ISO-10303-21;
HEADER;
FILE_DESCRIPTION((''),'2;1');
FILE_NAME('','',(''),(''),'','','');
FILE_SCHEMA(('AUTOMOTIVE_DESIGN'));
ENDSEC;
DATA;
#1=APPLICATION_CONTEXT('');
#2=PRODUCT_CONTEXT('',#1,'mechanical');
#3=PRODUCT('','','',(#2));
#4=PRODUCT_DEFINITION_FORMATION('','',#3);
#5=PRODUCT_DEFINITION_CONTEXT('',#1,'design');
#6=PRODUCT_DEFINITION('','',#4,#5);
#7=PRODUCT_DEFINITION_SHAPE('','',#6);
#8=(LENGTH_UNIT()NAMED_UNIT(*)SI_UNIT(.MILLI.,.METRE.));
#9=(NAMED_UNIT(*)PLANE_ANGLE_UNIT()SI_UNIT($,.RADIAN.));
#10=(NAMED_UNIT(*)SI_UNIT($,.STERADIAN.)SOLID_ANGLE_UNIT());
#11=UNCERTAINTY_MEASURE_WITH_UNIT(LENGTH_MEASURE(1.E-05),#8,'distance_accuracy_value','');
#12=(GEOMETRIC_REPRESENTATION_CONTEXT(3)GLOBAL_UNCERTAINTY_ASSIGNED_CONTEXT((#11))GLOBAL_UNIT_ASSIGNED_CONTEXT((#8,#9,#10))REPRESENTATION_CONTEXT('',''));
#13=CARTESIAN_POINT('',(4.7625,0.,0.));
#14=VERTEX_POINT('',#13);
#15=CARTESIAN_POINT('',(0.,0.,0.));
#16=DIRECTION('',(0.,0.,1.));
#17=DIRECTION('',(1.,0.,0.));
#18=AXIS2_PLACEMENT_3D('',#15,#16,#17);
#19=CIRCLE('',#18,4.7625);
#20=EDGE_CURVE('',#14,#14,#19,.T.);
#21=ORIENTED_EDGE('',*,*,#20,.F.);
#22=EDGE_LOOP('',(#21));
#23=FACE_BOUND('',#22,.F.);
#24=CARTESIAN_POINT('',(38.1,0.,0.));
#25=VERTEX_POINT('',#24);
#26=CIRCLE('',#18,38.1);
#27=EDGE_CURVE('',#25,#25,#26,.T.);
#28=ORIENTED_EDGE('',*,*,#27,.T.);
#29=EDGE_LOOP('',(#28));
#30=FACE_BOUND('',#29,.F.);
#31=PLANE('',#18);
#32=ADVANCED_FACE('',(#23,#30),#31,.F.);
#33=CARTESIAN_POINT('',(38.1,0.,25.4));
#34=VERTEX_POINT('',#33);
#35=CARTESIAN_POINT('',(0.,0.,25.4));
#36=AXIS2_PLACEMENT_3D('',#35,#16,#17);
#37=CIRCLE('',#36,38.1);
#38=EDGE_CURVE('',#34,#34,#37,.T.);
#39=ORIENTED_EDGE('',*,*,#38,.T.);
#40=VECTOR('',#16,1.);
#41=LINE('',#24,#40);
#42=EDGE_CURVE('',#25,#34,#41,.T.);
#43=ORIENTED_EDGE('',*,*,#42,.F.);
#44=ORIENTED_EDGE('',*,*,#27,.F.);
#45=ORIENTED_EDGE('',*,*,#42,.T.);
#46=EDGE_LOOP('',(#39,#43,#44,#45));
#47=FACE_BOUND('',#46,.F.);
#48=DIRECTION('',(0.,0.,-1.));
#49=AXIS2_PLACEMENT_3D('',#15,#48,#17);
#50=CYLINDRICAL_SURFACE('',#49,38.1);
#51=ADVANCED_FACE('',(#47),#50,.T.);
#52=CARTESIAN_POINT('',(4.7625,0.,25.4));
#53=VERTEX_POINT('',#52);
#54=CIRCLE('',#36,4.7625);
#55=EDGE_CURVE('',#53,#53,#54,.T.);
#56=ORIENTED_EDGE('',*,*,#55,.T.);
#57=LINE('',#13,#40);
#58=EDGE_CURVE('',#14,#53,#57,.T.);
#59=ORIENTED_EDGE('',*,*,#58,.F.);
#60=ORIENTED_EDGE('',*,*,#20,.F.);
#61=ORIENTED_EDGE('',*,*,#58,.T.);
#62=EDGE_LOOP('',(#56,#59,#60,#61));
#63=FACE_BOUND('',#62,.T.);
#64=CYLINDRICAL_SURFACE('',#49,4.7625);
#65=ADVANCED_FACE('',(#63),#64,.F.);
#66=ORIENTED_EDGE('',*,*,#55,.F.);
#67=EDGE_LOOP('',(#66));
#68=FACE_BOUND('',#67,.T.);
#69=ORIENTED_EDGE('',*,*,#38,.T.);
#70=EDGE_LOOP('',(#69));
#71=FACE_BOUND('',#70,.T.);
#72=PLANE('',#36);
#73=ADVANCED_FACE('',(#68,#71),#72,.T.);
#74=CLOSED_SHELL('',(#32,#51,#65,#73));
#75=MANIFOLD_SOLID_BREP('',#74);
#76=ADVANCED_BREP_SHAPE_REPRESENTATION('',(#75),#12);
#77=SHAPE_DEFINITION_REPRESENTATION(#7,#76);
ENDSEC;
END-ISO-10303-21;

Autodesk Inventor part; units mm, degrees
ref_plane "YZ Plane" through (0, 0, 0) normal (1, 0, 0) x (0, 1, 0)
ref_plane "XZ Plane" through (0, 0, 0) normal (0, 1, 0) x (-1, 0, 0)
ref_plane "XY Plane" through (0, 0, 0) normal (0, 0, 1) x (1, 0, 0)
sketch "Sketch1" plane through (0, 0, 0) normal (0, 0, 1) x (1, 0, 0)
  circle A0 centre (0, 0) radius 38.1
  circle A1 centre (0, 0) radius 4.7625
  dimension "d0" = 76.2
  dimension "d1" = 9.525
extrude "Extrusion1" add sketch "Sketch1" along normal blind 25.4
properties part number "spoolmain"
